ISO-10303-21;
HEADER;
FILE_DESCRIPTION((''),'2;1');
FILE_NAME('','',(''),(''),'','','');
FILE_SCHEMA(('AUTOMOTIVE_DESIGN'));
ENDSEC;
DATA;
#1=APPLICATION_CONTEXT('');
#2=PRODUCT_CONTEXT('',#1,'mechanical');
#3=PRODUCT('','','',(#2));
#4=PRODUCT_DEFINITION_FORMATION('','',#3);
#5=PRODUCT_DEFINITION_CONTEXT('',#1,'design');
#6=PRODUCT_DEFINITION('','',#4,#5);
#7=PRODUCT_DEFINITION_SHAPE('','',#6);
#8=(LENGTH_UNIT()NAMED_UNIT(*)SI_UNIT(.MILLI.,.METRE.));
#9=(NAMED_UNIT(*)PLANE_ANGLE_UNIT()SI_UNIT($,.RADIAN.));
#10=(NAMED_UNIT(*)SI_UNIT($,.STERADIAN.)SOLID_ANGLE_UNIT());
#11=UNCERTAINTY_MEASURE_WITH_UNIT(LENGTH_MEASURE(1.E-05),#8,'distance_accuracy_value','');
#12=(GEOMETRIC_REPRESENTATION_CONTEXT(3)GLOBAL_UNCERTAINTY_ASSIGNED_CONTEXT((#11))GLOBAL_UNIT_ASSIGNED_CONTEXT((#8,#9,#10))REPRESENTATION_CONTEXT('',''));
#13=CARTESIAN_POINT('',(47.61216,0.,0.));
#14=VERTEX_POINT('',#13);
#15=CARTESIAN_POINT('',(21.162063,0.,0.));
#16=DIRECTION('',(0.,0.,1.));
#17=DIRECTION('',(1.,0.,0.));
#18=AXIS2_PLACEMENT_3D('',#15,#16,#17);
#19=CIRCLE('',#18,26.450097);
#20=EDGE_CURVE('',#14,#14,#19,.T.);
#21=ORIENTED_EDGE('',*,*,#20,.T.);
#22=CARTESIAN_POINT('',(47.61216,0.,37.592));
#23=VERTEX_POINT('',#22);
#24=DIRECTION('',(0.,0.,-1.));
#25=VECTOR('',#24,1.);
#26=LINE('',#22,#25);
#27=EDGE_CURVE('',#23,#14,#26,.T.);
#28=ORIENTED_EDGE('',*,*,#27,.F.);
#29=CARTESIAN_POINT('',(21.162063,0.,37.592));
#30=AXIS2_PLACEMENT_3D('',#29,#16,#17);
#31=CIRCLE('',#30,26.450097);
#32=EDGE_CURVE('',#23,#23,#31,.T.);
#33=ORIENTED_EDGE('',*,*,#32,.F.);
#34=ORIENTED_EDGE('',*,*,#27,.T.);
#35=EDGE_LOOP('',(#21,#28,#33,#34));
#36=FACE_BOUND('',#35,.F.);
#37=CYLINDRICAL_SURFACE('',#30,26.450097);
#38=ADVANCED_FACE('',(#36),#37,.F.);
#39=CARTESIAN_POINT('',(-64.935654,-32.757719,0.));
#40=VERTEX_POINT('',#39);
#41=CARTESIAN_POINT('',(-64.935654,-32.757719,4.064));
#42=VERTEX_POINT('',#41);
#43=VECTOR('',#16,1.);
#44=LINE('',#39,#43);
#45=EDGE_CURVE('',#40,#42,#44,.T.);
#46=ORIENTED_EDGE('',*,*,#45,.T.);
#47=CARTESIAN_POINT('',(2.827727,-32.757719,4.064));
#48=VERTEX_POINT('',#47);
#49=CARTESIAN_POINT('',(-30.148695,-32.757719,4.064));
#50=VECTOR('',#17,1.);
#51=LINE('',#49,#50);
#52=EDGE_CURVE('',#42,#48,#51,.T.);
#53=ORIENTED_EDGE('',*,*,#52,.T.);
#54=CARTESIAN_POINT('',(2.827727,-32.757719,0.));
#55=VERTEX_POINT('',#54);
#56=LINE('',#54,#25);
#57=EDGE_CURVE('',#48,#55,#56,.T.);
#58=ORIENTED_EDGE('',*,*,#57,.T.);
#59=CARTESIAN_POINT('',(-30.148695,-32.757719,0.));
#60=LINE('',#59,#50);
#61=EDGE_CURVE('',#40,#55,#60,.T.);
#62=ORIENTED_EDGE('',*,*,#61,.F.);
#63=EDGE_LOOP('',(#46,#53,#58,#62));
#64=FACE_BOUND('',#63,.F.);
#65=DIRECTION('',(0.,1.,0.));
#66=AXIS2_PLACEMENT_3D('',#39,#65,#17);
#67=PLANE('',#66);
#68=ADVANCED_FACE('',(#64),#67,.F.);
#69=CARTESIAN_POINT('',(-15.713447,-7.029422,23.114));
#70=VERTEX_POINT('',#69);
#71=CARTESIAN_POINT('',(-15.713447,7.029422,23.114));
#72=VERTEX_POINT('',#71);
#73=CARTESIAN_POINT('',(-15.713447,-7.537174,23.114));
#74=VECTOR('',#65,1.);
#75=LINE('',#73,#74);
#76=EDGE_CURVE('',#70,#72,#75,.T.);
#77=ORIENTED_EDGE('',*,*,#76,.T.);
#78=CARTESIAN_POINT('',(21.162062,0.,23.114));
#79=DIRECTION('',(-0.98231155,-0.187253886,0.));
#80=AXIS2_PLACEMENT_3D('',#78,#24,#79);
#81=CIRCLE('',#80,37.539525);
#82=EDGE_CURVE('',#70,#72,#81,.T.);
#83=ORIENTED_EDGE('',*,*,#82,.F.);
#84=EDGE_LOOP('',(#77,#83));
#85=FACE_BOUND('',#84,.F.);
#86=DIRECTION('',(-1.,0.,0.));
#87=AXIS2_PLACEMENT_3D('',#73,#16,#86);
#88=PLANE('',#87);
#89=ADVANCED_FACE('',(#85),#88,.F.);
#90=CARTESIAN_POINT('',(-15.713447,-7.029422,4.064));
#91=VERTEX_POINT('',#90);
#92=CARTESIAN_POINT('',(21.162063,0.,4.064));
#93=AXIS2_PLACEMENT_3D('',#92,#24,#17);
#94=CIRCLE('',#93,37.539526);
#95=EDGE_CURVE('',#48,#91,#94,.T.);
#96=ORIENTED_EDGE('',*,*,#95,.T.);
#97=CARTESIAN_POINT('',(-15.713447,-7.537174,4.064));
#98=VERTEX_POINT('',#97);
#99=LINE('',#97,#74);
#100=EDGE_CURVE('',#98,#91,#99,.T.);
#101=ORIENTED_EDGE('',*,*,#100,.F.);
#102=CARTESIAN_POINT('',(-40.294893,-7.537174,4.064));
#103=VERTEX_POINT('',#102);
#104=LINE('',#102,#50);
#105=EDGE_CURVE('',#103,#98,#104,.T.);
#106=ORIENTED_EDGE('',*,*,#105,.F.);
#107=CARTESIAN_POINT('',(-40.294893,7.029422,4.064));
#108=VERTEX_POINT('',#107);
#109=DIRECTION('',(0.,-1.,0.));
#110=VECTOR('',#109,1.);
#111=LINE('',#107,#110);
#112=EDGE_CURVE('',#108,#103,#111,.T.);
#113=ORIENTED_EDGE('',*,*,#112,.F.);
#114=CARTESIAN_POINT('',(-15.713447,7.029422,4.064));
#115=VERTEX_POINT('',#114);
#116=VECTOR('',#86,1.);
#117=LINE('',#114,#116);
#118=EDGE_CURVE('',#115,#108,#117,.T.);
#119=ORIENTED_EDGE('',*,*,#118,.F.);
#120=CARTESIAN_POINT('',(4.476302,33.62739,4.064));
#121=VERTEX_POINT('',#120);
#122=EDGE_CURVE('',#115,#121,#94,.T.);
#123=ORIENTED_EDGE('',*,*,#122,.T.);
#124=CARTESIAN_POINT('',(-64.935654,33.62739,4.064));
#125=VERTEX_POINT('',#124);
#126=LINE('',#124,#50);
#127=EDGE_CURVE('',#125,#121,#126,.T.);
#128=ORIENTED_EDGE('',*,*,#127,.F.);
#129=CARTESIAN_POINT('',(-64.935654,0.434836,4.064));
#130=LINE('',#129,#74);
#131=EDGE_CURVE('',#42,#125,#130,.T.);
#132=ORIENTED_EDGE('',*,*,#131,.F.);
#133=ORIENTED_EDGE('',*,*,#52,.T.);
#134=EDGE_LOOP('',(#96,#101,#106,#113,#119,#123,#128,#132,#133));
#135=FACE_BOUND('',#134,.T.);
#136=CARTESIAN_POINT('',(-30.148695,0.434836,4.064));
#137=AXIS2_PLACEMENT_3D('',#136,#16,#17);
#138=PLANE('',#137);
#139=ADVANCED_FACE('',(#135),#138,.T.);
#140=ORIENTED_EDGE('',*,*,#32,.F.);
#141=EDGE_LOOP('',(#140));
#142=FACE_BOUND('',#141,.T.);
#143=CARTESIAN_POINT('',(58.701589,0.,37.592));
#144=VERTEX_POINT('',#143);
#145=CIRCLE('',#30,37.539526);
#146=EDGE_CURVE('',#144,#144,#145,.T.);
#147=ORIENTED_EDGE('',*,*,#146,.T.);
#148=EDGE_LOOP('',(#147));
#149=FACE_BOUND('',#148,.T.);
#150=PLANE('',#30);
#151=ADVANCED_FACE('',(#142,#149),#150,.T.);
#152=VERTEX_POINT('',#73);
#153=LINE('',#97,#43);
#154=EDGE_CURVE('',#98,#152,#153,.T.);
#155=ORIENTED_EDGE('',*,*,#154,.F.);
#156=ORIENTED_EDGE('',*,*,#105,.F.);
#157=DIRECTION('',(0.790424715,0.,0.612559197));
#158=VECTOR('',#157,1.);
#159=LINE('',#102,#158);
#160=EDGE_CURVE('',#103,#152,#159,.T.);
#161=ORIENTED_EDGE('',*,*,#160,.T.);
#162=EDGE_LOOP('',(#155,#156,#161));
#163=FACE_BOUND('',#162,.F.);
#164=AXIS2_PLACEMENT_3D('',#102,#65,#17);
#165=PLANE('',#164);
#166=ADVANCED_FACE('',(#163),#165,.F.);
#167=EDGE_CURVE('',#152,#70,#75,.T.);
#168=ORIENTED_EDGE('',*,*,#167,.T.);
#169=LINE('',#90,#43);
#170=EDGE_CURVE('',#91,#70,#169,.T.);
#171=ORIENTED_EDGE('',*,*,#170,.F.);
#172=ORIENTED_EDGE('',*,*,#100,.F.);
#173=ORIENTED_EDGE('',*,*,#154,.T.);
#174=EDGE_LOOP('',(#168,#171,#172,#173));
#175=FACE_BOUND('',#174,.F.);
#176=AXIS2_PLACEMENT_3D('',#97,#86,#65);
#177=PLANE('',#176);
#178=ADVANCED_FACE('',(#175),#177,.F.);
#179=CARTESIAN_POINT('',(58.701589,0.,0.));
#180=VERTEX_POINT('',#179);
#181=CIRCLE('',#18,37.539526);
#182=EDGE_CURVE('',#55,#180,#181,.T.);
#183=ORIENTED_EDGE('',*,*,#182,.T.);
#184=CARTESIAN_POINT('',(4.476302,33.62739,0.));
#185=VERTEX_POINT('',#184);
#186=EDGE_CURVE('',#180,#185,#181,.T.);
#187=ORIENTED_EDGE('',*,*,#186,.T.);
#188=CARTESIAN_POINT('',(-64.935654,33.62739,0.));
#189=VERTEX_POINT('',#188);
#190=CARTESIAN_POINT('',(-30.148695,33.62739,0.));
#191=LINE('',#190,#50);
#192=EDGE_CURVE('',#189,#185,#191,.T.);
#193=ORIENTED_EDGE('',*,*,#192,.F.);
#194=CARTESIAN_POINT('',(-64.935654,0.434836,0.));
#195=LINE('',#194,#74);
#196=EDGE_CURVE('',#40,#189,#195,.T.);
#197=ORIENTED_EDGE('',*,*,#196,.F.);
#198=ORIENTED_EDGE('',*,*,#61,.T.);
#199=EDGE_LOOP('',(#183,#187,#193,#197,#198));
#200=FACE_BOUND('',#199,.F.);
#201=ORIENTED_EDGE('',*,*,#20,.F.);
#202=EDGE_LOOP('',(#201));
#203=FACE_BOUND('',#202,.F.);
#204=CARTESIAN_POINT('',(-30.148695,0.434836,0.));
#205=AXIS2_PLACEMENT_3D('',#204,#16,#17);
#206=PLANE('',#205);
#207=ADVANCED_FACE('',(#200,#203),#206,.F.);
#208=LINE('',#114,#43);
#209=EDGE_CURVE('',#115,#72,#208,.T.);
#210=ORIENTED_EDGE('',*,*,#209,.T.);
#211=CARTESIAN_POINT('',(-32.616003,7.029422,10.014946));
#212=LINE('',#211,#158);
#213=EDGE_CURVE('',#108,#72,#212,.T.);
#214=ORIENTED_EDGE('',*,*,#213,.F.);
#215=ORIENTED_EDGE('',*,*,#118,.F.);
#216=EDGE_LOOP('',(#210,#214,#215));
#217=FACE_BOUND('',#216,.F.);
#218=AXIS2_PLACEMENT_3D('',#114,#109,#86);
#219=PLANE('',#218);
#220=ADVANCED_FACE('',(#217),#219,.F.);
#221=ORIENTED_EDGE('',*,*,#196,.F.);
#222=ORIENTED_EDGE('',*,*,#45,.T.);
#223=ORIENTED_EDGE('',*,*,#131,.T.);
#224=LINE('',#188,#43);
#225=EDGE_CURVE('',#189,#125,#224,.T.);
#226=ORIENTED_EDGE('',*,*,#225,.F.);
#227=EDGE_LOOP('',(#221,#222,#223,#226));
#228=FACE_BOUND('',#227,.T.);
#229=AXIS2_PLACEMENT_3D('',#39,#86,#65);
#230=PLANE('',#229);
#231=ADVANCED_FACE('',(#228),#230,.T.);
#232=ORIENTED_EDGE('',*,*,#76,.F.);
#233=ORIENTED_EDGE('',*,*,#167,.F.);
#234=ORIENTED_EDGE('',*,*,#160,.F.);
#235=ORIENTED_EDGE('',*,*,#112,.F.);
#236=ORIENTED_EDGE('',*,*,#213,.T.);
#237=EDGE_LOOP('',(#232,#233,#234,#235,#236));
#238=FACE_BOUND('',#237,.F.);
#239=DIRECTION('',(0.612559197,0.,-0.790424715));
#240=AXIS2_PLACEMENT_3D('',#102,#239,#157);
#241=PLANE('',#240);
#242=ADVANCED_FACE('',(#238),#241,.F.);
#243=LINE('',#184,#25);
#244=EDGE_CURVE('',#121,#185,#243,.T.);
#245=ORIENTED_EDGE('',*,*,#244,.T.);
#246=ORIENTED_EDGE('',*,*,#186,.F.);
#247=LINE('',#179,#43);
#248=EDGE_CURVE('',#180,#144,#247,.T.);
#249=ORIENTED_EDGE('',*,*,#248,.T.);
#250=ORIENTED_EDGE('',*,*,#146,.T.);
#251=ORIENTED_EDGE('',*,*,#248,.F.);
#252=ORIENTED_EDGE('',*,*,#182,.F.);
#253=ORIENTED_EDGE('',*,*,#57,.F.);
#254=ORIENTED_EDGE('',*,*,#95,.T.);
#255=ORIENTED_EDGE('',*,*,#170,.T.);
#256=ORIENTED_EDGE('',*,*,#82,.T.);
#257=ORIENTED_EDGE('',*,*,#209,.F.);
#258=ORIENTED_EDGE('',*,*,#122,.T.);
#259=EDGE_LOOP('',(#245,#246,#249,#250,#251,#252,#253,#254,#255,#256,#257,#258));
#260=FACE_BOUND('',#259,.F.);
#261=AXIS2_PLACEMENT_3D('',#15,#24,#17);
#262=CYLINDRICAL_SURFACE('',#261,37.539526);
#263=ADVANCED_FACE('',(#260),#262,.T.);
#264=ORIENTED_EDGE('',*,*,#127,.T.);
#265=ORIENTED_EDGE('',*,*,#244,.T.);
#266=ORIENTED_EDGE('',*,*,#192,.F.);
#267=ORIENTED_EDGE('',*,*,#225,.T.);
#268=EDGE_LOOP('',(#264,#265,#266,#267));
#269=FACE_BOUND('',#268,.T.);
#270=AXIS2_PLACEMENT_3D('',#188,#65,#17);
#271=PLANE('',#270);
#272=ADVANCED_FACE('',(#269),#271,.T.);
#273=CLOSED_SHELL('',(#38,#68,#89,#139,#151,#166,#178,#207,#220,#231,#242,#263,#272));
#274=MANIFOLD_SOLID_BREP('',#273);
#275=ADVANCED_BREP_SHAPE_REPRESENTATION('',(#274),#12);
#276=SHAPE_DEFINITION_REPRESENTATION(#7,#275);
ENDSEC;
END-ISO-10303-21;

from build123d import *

# Parameters (mm, degrees)
F0_R     = 37.539526
F1_DEPTH = 37.592
F2_W     = 69.573917
F2_H     = 66.385109
F3_DEPTH = 4.064
F4_R     = 26.450097
F5_DEPTH = 37.593
F7_DEPTH = 19.05
F9_DEPTH = 45.0777


with BuildPart() as f1:
    # F0 (on Top) → F1 (new body)
    with BuildSketch(Plane.XY):
        with Locations((21.162063, 0)):
            Circle(F0_R)
    extrude(amount=F1_DEPTH)

    # F2 (on Top) → F3 (join)
    with BuildSketch(Plane.XY):
        with Locations((-30.148695, 0.434836)):
            Rectangle(F2_W, F2_H)
    extrude(amount=F3_DEPTH)

    # F4 (on face) → F5 (cut, through all)
    with BuildSketch(Plane.XY.offset(37.592)):
        with Locations((21.162063, 0)):
            Circle(F4_R)
    extrude(amount=-F5_DEPTH, mode=Mode.SUBTRACT)

    # F6 (on face) → F7 (join)
    with BuildSketch(Plane.XY.offset(4.064)):
        with BuildLine():
            ThreePointArc((-15.713447, -7.029422), (-16.377463, 0), (-15.713447, 7.029422))
            Line((-15.713447, 7.029422), (-40.294893, 7.029422))
            Line((-40.294893, 7.029422), (-40.294893, -7.537174))
            Line((-40.294893, -7.537174), (-15.713447, -7.537174))
            Line((-15.713447, -7.537174), (-15.713447, -7.029422))
        make_face()
    extrude(amount=F7_DEPTH)

    # F8 (on face) → F9 (cut, through all)
    with BuildSketch(Plane.XZ.offset(7.537174)):
        Polygon((-40.294893, 23.114), (-40.294893, 4.064), (-15.713447, 23.114), align=None)
    extrude(amount=-F9_DEPTH, mode=Mode.SUBTRACT)


solid = f1.part
